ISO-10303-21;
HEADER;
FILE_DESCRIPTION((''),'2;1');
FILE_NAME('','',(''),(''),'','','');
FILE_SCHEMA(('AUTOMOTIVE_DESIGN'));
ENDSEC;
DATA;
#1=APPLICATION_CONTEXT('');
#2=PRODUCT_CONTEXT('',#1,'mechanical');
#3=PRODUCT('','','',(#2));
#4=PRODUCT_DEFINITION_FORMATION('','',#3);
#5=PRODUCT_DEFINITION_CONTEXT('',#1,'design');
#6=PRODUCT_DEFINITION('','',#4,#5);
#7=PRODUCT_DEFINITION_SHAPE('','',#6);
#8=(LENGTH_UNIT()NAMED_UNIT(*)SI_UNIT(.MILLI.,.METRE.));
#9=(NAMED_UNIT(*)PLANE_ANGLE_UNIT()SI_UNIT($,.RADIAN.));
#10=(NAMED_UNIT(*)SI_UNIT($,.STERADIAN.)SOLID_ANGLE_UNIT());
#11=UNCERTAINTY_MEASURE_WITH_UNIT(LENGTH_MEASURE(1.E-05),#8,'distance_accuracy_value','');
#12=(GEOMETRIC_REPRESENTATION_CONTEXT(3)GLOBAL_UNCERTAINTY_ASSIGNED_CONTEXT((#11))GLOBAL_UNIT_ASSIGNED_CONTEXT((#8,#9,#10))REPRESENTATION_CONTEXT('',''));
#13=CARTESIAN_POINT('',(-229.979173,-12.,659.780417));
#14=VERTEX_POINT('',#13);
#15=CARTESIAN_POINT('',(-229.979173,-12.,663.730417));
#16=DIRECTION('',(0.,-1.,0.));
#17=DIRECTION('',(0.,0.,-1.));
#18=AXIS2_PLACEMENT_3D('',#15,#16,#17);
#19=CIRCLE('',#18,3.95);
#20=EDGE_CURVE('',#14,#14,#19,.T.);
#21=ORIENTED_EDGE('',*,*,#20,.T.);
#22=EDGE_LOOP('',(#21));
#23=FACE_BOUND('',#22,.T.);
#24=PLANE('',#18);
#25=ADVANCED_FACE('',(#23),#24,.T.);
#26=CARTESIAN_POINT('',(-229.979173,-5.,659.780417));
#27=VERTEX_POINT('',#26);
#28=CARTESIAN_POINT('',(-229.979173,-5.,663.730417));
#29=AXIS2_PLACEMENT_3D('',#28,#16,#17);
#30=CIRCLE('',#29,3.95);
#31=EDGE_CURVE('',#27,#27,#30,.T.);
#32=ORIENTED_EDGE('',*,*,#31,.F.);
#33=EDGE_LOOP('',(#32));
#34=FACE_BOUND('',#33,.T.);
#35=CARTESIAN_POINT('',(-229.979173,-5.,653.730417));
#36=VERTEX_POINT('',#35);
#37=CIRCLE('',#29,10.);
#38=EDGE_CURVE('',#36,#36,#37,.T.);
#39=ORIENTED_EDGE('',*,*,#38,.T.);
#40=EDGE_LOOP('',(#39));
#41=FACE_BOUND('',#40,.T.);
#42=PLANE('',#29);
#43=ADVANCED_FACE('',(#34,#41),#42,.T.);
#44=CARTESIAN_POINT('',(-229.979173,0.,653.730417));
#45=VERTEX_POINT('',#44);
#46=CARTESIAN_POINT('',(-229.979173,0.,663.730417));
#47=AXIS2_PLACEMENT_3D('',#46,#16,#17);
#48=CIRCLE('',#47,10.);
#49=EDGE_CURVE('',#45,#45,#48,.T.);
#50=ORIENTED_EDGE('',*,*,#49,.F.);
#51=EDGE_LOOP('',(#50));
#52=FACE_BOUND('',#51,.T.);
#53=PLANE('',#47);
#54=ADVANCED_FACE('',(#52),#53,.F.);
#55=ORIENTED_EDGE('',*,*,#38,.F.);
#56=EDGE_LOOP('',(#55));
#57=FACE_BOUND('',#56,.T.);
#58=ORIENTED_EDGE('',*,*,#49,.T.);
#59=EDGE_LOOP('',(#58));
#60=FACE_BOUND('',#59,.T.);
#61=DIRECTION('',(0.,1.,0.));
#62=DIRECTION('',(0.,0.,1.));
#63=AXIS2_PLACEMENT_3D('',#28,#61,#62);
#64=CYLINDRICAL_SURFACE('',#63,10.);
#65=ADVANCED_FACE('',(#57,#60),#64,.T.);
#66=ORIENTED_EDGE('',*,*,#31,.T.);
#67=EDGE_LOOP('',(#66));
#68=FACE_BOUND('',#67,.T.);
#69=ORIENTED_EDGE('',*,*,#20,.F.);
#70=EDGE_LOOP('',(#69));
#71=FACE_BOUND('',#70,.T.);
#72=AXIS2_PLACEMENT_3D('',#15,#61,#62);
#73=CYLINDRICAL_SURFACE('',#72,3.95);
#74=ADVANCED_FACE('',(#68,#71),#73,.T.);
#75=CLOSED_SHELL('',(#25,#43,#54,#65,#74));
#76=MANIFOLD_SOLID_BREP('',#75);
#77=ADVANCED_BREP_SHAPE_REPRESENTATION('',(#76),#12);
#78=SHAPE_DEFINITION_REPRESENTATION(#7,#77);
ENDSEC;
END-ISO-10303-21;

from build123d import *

# Parameters (mm, degrees)
SKETCH1_R           = 10
BOSS_EXTRUDE1_DEPTH = 5
SKETCH2_R           = 3.95
BOSS_EXTRUDE2_DEPTH = 7


with BuildPart() as part:
    # Sketch1 → Boss-Extrude1 (new body)
    with BuildSketch(Plane(origin=(-645.719089615, 0, 411.175989112), x_dir=(-0.4230025267803184, 0, 0.9061285021107469), z_dir=(0, -1, 0))):
        with Locations(Location((52.987730107, -483.544948633, 0), (0, 0, 154.975704785))):
            Circle(SKETCH1_R)
    extrude(amount=BOSS_EXTRUDE1_DEPTH)

    # Sketch2 → Boss-Extrude2 (add)
    with BuildSketch(Plane(origin=(0, -5, 0), x_dir=(-0.4230025267803189, 0, 0.9061285021107468), z_dir=(0, -1, 0))):
        with Locations(Location((698.706819722, -72.368959522, 0), (0, 0, 154.975704785))):
            Circle(SKETCH2_R)
    extrude(amount=BOSS_EXTRUDE2_DEPTH)


solid = part.part
